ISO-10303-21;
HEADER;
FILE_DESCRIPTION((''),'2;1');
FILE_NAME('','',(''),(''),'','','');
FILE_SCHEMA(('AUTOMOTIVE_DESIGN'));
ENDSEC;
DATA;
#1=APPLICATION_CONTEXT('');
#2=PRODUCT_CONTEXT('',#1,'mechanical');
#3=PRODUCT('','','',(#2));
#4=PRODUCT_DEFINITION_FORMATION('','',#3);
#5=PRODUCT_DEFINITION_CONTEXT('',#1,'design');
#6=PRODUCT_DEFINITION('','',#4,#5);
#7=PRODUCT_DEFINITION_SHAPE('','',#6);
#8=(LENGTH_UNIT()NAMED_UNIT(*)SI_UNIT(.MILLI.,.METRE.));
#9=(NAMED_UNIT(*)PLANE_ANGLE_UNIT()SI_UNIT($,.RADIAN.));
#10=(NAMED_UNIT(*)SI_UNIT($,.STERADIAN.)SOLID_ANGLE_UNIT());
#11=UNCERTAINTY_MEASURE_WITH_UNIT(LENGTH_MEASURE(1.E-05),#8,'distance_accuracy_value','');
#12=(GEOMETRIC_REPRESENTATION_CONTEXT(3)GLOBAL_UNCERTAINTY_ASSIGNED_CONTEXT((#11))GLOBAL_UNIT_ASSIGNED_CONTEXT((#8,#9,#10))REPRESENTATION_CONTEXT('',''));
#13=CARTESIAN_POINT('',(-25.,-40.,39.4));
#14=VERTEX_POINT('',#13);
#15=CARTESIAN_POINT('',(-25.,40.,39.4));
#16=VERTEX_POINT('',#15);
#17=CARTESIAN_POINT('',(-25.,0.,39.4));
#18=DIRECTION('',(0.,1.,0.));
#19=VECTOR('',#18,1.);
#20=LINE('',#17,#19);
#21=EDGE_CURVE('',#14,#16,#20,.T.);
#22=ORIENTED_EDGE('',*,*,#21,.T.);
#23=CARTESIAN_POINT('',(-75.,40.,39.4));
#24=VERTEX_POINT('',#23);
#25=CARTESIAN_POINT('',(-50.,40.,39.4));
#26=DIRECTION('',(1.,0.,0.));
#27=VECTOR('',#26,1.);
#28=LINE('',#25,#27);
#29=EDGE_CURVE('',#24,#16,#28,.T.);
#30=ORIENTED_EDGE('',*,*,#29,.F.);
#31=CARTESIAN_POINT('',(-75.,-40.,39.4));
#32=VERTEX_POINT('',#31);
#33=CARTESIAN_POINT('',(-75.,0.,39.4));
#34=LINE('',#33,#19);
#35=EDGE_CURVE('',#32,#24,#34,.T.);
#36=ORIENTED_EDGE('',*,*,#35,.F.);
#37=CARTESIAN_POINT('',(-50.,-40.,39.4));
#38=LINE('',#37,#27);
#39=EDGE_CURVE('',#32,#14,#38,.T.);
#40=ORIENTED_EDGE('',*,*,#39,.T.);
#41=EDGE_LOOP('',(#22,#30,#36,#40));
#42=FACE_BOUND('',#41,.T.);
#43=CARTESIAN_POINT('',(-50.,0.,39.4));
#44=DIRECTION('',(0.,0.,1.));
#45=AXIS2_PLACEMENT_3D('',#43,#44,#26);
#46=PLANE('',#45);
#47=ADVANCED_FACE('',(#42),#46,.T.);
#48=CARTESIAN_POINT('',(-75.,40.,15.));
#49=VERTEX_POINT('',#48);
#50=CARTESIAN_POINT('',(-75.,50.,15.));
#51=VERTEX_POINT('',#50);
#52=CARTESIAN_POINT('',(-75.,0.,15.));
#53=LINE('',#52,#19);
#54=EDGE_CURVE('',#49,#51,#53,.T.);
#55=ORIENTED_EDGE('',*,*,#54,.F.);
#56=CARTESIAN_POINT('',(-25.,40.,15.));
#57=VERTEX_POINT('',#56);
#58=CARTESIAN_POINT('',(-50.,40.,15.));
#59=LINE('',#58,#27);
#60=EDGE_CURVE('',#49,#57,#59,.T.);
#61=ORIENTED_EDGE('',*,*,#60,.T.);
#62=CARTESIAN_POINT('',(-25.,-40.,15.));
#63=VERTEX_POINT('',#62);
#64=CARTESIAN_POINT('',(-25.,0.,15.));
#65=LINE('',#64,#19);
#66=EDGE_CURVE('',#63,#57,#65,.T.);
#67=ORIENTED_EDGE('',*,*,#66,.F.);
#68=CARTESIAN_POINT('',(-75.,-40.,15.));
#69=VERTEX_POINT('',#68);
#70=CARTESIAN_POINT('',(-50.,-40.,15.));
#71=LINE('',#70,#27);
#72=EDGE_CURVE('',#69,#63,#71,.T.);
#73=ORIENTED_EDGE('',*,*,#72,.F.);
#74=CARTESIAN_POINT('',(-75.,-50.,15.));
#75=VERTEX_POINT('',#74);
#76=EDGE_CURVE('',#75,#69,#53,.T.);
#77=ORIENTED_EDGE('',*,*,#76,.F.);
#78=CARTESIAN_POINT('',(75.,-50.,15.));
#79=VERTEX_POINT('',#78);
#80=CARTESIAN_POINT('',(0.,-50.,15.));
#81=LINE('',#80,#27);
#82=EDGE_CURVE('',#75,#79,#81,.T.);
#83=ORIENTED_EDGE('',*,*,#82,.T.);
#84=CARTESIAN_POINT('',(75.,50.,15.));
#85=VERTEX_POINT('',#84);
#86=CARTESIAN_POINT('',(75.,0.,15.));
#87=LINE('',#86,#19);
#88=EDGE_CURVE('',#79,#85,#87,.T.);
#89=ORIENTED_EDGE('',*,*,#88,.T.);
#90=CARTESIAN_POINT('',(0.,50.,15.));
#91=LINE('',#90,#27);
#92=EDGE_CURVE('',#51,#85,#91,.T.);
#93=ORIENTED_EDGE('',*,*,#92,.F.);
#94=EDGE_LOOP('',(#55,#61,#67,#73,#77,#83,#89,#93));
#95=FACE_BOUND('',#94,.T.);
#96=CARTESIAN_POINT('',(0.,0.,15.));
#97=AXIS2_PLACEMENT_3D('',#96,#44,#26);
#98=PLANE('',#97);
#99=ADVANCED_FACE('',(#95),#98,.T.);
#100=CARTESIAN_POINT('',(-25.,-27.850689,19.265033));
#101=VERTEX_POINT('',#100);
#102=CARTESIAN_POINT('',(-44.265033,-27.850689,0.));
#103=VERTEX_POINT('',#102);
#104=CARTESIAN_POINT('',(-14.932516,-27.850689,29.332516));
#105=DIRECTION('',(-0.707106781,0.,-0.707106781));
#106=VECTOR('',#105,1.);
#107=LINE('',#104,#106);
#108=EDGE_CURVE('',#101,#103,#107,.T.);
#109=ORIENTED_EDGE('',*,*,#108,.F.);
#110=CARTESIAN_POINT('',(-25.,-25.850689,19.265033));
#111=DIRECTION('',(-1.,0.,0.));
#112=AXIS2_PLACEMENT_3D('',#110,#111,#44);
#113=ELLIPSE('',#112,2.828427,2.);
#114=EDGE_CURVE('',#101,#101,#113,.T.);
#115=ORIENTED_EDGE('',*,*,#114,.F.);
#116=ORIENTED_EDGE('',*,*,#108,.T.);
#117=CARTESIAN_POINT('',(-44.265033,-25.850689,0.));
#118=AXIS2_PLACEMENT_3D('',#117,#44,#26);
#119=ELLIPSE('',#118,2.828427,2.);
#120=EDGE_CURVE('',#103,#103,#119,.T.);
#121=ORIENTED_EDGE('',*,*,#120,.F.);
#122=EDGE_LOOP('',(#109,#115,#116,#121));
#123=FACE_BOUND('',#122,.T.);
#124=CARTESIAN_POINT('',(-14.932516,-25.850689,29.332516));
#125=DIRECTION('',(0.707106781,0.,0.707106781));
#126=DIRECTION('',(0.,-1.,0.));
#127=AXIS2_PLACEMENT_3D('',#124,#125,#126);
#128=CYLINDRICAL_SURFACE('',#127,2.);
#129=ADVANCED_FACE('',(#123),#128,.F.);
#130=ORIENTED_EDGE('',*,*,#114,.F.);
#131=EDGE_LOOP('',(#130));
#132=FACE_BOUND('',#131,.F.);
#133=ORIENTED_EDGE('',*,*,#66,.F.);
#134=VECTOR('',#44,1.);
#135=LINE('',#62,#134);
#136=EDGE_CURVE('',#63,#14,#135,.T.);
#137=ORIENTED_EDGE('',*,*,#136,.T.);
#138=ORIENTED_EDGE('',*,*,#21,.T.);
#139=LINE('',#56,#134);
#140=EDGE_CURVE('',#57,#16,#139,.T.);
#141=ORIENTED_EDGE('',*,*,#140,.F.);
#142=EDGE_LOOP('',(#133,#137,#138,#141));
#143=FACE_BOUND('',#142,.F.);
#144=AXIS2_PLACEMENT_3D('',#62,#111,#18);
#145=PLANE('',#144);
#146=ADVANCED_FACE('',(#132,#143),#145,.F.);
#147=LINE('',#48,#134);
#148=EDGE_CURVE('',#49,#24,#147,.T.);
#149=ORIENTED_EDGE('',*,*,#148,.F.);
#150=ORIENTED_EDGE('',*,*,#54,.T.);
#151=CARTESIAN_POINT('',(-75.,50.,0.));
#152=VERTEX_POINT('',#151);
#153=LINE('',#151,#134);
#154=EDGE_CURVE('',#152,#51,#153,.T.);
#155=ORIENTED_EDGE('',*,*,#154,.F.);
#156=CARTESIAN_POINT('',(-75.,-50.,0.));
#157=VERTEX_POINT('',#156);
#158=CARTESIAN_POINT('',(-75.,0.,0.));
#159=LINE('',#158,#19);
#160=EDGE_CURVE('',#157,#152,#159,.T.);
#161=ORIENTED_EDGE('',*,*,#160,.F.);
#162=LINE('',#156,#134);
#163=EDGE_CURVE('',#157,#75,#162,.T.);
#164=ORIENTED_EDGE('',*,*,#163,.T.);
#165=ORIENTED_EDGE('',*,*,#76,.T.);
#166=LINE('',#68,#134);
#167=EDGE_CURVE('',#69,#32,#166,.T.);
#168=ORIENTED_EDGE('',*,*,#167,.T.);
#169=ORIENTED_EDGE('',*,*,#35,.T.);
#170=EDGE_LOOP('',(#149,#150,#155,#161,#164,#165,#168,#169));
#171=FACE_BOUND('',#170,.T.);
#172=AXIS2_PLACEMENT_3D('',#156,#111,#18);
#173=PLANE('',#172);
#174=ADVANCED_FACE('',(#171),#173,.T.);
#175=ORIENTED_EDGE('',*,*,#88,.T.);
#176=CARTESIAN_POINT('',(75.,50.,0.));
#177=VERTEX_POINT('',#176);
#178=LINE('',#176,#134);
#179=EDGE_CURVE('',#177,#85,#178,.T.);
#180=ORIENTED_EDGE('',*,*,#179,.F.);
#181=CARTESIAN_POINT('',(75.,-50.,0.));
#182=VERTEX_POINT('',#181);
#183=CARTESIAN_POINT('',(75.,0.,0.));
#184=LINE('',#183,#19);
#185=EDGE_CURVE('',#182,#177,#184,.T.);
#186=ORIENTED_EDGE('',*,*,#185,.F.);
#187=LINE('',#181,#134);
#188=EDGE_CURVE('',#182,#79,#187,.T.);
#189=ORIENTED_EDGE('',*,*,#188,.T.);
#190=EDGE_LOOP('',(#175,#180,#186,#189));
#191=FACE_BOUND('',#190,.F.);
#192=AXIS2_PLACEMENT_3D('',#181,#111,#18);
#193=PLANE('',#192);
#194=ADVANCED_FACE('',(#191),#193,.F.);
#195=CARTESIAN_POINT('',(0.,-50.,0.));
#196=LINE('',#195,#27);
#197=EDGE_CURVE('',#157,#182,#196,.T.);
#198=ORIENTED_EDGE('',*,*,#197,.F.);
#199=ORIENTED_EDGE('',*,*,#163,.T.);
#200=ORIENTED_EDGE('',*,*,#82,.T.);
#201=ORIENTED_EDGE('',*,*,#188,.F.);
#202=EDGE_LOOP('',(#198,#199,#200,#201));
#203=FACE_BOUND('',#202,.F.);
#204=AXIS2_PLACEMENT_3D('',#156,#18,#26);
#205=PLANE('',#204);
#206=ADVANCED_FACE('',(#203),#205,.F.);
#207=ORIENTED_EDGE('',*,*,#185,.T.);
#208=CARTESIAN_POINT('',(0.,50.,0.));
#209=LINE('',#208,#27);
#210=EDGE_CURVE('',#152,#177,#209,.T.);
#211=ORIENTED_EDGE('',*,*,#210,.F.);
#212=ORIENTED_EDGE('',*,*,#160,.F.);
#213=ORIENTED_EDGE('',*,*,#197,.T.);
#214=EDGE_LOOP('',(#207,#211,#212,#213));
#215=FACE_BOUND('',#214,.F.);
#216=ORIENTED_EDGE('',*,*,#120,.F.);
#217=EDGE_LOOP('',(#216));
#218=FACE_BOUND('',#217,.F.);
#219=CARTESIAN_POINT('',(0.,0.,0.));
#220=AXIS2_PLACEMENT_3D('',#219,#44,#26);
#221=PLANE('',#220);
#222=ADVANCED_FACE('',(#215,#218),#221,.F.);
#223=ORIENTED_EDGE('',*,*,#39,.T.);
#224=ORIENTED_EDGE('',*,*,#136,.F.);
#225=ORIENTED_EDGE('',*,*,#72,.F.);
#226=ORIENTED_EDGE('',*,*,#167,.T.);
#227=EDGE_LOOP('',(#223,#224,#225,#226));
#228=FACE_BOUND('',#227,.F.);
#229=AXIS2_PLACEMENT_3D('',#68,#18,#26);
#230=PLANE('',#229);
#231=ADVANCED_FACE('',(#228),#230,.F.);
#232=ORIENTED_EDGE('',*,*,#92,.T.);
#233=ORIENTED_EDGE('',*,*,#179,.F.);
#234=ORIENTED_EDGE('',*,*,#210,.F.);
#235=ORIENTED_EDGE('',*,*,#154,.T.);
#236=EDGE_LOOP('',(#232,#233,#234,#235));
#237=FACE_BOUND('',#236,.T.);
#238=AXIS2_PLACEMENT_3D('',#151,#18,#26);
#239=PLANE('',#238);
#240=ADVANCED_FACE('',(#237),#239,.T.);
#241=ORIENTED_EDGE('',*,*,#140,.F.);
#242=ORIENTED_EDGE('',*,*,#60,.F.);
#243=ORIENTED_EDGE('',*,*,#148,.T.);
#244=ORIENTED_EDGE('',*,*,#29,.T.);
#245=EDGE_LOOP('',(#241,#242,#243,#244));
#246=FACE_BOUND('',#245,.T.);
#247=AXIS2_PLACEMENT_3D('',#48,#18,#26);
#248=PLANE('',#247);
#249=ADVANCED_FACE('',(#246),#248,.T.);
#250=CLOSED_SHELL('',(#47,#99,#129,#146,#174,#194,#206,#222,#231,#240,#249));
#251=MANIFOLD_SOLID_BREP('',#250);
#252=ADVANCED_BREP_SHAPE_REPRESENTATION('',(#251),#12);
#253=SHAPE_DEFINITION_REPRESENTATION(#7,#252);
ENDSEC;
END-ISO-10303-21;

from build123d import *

# Parameters (mm, degrees)
F0_W     = 150
F0_H     = 100
F1_DEPTH = 15
F2_W     = 50
F2_H     = 80
F3_DEPTH = 24.4
F5_R     = 2
F6_DEPTH = 64.2


with BuildPart() as f1:
    # F0 (on Top) → F1 (new body)
    with BuildSketch(Plane.XY):
        Rectangle(F0_W, F0_H)
    extrude(amount=F1_DEPTH)

    # F2 (on face) → F3 (join)
    with BuildSketch(Plane.XY.offset(15)):
        with Locations((-50, 0)):
            Rectangle(F2_W, F2_H)
    extrude(amount=F3_DEPTH)

    # F5 (on face) → F6 (cut)
    with BuildSketch(Plane(origin=(7.2, 0, 7.2), x_dir=(0, -1, 0), z_dir=(-0.707107, 0, -0.707107))):
        with Locations((25.850689, 31.300105)):
            Circle(F5_R)
    extrude(amount=F6_DEPTH, mode=Mode.SUBTRACT)


solid = f1.part
